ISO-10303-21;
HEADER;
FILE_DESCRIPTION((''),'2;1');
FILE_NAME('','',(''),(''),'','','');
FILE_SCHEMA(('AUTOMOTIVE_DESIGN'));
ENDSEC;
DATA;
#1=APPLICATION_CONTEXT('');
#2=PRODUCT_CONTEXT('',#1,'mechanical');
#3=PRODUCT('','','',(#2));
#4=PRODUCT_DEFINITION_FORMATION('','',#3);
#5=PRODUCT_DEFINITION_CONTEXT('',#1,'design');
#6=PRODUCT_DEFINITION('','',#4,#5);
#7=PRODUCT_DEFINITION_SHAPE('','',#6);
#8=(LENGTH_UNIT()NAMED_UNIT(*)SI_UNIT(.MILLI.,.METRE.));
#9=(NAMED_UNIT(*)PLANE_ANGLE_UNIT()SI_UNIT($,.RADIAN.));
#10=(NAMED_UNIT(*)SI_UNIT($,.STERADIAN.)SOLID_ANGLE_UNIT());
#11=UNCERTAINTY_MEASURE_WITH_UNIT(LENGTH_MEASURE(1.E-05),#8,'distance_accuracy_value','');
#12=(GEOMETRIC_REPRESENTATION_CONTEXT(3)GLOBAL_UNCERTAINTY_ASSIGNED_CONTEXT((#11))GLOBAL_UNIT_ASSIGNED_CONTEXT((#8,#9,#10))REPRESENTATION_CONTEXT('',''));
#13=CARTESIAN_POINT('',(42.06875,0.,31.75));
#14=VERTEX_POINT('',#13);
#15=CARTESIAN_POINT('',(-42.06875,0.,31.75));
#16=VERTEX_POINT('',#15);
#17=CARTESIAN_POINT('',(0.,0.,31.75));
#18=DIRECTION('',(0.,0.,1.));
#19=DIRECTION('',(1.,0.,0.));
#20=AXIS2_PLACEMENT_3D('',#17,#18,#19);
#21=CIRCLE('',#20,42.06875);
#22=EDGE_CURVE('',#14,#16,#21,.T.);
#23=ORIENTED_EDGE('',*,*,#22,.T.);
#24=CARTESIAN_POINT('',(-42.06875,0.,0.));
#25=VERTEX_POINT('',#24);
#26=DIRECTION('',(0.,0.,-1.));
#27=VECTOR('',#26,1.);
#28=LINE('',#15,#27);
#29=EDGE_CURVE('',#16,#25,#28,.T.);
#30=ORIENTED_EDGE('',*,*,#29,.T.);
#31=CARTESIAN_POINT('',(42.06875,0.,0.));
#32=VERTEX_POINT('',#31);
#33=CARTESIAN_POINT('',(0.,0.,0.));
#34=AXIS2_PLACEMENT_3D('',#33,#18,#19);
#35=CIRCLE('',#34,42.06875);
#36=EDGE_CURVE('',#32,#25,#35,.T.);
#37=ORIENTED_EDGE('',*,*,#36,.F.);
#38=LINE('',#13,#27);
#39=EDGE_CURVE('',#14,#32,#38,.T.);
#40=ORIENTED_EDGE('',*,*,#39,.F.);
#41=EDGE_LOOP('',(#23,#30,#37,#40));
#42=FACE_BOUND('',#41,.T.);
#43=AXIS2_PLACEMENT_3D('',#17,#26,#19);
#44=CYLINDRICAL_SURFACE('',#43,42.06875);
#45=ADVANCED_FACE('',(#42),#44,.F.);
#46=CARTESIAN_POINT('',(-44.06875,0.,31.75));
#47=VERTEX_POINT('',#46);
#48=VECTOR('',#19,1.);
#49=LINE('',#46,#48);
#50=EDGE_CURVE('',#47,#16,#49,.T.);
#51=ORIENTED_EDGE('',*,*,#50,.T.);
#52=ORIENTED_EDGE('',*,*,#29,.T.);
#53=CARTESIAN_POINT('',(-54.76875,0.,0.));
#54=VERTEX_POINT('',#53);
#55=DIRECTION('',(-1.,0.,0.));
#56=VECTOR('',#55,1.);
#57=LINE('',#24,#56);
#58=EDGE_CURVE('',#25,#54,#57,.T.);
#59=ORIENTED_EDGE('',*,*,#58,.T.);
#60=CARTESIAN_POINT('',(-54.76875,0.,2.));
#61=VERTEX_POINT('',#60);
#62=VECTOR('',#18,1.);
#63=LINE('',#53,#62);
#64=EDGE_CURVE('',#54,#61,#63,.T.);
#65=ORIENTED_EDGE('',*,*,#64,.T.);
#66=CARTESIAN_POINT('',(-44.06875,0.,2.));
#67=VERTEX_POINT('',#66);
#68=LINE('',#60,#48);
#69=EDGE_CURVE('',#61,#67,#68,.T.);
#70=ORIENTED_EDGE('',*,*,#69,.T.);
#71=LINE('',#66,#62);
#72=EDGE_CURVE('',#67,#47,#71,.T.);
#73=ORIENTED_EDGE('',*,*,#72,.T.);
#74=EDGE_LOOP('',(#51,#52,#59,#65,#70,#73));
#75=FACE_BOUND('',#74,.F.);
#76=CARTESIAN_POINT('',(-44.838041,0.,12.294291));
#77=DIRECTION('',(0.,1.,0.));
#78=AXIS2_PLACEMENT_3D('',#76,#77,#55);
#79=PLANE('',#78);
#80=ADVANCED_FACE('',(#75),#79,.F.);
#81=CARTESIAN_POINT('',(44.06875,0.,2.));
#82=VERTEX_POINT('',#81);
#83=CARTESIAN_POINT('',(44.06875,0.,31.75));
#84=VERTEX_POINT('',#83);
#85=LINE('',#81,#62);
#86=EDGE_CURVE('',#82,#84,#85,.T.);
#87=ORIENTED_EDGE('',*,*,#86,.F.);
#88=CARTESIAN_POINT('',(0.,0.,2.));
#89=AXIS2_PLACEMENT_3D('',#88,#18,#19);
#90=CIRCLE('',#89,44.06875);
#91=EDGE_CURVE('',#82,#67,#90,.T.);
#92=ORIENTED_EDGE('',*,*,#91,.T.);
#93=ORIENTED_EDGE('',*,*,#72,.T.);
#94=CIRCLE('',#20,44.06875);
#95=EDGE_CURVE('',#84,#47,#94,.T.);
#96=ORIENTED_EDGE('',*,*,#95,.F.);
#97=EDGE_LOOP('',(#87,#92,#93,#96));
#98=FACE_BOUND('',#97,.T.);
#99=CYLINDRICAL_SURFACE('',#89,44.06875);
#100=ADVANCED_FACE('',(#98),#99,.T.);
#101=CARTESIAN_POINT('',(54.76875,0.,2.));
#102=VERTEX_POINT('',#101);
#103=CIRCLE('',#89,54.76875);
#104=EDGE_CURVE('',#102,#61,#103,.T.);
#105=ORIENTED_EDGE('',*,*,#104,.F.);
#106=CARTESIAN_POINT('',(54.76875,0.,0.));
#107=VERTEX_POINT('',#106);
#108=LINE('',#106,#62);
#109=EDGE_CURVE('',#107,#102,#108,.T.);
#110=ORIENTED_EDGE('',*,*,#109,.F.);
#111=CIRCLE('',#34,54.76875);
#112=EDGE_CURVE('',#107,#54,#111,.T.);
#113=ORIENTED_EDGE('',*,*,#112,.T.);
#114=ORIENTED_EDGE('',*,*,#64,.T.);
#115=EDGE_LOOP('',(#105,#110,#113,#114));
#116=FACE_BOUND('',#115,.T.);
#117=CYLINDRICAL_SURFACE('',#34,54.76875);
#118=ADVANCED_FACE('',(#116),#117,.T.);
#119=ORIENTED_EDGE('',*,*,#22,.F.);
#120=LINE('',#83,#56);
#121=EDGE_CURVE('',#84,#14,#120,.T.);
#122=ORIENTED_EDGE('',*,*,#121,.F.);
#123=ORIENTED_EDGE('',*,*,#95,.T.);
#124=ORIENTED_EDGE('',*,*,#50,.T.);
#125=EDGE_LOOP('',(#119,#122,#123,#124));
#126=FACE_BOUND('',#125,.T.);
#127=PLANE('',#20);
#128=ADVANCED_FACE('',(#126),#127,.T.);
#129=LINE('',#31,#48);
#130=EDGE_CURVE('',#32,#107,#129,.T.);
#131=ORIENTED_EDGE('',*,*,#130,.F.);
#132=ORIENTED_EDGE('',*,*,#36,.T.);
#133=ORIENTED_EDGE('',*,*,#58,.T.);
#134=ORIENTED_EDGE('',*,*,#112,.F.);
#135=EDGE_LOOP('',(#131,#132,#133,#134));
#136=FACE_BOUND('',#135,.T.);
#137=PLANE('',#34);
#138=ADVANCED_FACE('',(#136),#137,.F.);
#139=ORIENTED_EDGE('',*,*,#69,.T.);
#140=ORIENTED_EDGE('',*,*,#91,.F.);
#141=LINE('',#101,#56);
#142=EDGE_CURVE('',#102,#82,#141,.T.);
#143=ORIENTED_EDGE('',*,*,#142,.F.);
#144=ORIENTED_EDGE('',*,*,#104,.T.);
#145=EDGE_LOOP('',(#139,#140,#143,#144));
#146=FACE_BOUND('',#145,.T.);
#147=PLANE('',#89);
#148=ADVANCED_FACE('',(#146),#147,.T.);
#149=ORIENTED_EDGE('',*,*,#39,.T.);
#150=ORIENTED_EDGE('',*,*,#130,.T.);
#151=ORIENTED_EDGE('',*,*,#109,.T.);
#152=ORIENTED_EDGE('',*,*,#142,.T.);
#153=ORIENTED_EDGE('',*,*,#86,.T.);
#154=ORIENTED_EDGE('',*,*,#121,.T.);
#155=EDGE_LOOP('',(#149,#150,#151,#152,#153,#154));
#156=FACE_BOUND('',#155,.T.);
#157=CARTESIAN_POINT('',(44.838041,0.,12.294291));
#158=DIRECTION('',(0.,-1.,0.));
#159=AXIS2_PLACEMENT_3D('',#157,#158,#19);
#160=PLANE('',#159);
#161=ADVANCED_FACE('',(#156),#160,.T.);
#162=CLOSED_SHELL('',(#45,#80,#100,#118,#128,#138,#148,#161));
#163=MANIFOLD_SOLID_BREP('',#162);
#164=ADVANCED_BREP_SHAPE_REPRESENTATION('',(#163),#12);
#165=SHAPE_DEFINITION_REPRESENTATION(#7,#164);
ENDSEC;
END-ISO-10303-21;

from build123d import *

# Parameters (mm, degrees)
F1_ANGLE = 180


with BuildPart() as f1:
    # F0 (on Front) → F1 (revolve)
    with BuildSketch(Plane.XZ):
        Polygon((44.06875, 2), (44.06875, 31.75), (42.06875, 31.75), (42.06875, 0), (54.76875, 0), (54.76875, 2), align=None)
    revolve(axis=Axis((0, 0, 48.084427), (0, 0, 1)), revolution_arc=F1_ANGLE)


solid = f1.part
